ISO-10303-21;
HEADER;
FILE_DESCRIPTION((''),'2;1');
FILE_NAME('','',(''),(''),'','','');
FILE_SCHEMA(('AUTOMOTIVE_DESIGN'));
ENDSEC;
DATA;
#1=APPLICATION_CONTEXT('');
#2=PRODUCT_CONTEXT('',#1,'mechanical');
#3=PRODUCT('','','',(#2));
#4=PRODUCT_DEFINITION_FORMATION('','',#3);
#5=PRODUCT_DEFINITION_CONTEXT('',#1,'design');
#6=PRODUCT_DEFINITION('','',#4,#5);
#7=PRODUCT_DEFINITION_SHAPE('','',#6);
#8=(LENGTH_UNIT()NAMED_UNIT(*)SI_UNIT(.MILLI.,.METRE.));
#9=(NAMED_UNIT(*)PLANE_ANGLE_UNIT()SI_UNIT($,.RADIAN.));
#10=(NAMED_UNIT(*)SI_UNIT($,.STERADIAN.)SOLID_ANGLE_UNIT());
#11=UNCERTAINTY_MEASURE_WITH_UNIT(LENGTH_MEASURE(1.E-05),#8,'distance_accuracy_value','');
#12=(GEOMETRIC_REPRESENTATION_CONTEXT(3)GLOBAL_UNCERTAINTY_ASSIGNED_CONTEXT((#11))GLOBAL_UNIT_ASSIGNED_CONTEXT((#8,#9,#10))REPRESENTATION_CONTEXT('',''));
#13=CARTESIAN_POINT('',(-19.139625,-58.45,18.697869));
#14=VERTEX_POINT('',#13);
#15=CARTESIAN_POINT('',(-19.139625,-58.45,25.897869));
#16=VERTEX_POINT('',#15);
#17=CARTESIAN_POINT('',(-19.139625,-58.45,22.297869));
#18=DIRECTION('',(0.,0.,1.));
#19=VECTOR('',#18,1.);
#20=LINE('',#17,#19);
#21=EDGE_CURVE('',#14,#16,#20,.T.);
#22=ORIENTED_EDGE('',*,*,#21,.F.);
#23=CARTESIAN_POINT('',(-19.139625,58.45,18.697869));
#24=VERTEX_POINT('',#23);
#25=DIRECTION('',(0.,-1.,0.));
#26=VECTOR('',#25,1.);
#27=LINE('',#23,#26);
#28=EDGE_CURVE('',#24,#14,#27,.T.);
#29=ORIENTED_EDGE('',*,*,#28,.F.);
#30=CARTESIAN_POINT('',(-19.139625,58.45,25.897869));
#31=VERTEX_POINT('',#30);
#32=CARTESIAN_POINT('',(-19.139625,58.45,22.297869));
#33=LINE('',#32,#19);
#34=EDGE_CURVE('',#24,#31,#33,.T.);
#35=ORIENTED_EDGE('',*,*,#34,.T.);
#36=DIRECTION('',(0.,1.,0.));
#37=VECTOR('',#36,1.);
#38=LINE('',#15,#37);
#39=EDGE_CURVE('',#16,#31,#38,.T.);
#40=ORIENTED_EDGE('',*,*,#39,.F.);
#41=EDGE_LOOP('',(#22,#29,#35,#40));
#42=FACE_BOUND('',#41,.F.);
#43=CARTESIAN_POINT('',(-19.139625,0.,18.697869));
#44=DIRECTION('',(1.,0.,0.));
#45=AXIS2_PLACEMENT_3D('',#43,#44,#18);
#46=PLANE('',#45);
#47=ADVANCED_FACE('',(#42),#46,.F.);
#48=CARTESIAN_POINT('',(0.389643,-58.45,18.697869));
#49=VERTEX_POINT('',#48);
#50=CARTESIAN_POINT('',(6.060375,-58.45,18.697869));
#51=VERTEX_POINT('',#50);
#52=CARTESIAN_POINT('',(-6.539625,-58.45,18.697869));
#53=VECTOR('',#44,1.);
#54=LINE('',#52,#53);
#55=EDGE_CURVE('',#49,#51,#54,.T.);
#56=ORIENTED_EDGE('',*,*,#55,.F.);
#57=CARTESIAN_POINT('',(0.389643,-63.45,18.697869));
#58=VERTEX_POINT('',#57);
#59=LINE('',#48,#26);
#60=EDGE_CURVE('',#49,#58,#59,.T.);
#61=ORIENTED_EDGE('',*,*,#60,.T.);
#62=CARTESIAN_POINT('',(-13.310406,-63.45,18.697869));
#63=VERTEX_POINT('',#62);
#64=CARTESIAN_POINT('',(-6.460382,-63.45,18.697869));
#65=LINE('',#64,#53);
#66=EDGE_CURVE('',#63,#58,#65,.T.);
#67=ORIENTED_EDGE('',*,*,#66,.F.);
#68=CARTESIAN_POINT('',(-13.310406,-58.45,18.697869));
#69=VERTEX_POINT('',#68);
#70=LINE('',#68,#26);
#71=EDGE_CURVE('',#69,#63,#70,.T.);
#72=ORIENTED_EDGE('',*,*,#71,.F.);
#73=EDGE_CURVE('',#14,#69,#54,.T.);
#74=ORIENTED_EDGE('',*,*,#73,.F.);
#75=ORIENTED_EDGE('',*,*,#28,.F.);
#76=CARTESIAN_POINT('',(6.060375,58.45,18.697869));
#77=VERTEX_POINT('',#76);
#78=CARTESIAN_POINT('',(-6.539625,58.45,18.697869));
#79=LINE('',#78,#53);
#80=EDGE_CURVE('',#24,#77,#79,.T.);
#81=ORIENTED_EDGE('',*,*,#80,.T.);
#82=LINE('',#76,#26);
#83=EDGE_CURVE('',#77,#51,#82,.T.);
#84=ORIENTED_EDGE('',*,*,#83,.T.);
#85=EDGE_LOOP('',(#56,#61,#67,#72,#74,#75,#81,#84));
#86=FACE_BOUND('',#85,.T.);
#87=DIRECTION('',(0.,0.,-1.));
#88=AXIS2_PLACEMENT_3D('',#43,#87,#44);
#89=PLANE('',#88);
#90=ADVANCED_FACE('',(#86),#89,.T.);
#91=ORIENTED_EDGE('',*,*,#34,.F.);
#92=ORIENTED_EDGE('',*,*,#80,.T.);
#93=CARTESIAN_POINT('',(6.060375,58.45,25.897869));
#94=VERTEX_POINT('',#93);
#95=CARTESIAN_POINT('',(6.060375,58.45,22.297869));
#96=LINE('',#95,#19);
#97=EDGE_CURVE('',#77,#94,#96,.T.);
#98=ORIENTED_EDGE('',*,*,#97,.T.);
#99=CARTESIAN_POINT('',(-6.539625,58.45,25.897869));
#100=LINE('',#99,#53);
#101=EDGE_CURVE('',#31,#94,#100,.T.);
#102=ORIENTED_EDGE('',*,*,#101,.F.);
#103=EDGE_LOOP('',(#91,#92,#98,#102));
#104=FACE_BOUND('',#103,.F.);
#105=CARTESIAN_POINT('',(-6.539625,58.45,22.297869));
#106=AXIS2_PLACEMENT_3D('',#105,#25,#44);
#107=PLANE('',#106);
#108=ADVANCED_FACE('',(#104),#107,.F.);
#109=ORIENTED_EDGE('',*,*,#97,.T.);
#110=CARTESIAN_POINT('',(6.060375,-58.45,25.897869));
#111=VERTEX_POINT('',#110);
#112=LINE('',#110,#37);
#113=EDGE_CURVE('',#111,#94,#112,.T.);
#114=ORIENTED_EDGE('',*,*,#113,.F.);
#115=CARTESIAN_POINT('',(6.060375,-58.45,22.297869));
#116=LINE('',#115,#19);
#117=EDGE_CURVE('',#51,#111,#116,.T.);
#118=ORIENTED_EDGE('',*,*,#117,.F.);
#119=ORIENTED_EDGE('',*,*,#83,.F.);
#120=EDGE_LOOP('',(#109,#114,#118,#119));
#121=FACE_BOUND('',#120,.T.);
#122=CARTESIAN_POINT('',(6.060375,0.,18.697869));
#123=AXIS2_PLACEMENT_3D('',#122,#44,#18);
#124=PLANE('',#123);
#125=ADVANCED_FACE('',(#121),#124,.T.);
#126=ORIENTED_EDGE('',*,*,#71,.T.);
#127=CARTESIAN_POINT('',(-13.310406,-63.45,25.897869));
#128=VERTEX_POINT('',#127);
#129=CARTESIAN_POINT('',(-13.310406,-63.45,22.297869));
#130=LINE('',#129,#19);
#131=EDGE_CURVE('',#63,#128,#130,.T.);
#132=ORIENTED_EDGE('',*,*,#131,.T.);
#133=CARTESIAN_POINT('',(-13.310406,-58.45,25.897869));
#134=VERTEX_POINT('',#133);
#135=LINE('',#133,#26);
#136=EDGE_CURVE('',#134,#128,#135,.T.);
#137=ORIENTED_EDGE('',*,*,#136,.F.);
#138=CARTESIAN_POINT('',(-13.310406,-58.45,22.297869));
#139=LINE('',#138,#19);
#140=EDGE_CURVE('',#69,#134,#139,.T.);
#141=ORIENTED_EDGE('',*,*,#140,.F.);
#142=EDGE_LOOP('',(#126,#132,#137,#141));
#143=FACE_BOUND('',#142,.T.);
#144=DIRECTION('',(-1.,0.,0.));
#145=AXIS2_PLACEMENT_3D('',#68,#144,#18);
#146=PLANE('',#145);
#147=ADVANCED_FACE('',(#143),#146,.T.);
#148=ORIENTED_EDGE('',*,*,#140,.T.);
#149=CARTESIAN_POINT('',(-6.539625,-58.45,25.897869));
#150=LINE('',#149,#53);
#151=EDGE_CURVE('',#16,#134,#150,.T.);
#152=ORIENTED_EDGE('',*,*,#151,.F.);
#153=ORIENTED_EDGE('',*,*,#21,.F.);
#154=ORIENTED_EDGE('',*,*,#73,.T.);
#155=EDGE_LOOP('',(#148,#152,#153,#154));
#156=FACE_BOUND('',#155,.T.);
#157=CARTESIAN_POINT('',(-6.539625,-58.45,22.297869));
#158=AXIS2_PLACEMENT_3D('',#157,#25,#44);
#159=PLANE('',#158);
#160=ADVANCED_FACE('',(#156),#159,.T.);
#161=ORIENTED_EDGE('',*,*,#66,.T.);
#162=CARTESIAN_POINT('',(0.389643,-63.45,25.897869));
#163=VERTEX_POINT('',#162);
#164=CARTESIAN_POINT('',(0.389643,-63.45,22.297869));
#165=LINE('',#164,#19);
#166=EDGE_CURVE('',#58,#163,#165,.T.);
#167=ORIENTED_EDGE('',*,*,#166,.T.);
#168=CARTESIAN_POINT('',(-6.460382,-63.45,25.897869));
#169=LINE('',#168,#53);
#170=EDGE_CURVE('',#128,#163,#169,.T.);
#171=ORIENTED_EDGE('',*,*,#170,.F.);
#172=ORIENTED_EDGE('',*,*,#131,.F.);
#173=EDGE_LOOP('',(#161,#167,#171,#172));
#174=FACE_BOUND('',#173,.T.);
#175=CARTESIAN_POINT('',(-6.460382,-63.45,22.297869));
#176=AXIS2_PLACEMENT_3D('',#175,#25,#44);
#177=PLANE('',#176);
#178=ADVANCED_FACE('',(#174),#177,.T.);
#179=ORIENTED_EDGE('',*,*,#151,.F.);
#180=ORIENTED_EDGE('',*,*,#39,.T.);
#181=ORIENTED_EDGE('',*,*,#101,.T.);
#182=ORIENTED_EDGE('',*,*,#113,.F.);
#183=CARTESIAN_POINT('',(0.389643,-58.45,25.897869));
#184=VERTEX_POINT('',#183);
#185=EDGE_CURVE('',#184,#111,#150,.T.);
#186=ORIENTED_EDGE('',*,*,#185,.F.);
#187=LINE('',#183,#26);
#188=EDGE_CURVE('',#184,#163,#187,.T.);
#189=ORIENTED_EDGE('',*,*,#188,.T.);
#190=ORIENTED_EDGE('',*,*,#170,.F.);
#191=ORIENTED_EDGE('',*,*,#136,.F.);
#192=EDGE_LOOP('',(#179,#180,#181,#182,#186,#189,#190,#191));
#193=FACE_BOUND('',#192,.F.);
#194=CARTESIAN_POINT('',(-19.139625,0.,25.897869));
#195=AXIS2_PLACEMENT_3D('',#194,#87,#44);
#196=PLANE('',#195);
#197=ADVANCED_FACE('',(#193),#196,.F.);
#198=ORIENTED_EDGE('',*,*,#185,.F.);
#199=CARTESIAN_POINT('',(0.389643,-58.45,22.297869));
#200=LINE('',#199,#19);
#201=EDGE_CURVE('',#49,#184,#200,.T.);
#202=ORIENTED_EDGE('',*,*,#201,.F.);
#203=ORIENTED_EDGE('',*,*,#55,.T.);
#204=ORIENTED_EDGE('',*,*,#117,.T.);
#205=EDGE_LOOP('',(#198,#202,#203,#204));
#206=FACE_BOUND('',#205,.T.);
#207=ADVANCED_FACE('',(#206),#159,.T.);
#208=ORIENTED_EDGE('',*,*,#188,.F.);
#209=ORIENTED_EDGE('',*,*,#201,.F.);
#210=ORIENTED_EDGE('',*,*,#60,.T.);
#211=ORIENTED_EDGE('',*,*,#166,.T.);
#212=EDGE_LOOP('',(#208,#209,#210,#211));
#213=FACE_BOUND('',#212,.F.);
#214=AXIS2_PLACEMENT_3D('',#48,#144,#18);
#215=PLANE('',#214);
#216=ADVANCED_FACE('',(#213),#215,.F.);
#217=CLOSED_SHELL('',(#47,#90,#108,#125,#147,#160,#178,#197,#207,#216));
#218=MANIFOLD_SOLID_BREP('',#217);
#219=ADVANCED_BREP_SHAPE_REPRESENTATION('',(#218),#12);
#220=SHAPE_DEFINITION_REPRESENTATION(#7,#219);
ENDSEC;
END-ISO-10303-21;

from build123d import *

# Parameters (mm, degrees)
F0_W     = 25.2
F0_H     = 7.2
F1_DEPTH = 58.45
F2_W     = 13.700049
F2_H     = 7.2
F3_DEPTH = 5


with BuildPart() as f1:
    # F0 (on Front) → F1 (new body, symmetric)
    with BuildSketch(Plane.XZ):
        with Locations((-6.539625, 22.297869)):
            Rectangle(F0_W, F0_H)
    extrude(amount=F1_DEPTH, both=True)

    # F2 (on face) → F3 (join)
    with BuildSketch(Plane.XZ.offset(58.45)):
        with Locations((-6.460382, 22.297869)):
            Rectangle(F2_W, F2_H)
    extrude(amount=F3_DEPTH)


solid = f1.part
